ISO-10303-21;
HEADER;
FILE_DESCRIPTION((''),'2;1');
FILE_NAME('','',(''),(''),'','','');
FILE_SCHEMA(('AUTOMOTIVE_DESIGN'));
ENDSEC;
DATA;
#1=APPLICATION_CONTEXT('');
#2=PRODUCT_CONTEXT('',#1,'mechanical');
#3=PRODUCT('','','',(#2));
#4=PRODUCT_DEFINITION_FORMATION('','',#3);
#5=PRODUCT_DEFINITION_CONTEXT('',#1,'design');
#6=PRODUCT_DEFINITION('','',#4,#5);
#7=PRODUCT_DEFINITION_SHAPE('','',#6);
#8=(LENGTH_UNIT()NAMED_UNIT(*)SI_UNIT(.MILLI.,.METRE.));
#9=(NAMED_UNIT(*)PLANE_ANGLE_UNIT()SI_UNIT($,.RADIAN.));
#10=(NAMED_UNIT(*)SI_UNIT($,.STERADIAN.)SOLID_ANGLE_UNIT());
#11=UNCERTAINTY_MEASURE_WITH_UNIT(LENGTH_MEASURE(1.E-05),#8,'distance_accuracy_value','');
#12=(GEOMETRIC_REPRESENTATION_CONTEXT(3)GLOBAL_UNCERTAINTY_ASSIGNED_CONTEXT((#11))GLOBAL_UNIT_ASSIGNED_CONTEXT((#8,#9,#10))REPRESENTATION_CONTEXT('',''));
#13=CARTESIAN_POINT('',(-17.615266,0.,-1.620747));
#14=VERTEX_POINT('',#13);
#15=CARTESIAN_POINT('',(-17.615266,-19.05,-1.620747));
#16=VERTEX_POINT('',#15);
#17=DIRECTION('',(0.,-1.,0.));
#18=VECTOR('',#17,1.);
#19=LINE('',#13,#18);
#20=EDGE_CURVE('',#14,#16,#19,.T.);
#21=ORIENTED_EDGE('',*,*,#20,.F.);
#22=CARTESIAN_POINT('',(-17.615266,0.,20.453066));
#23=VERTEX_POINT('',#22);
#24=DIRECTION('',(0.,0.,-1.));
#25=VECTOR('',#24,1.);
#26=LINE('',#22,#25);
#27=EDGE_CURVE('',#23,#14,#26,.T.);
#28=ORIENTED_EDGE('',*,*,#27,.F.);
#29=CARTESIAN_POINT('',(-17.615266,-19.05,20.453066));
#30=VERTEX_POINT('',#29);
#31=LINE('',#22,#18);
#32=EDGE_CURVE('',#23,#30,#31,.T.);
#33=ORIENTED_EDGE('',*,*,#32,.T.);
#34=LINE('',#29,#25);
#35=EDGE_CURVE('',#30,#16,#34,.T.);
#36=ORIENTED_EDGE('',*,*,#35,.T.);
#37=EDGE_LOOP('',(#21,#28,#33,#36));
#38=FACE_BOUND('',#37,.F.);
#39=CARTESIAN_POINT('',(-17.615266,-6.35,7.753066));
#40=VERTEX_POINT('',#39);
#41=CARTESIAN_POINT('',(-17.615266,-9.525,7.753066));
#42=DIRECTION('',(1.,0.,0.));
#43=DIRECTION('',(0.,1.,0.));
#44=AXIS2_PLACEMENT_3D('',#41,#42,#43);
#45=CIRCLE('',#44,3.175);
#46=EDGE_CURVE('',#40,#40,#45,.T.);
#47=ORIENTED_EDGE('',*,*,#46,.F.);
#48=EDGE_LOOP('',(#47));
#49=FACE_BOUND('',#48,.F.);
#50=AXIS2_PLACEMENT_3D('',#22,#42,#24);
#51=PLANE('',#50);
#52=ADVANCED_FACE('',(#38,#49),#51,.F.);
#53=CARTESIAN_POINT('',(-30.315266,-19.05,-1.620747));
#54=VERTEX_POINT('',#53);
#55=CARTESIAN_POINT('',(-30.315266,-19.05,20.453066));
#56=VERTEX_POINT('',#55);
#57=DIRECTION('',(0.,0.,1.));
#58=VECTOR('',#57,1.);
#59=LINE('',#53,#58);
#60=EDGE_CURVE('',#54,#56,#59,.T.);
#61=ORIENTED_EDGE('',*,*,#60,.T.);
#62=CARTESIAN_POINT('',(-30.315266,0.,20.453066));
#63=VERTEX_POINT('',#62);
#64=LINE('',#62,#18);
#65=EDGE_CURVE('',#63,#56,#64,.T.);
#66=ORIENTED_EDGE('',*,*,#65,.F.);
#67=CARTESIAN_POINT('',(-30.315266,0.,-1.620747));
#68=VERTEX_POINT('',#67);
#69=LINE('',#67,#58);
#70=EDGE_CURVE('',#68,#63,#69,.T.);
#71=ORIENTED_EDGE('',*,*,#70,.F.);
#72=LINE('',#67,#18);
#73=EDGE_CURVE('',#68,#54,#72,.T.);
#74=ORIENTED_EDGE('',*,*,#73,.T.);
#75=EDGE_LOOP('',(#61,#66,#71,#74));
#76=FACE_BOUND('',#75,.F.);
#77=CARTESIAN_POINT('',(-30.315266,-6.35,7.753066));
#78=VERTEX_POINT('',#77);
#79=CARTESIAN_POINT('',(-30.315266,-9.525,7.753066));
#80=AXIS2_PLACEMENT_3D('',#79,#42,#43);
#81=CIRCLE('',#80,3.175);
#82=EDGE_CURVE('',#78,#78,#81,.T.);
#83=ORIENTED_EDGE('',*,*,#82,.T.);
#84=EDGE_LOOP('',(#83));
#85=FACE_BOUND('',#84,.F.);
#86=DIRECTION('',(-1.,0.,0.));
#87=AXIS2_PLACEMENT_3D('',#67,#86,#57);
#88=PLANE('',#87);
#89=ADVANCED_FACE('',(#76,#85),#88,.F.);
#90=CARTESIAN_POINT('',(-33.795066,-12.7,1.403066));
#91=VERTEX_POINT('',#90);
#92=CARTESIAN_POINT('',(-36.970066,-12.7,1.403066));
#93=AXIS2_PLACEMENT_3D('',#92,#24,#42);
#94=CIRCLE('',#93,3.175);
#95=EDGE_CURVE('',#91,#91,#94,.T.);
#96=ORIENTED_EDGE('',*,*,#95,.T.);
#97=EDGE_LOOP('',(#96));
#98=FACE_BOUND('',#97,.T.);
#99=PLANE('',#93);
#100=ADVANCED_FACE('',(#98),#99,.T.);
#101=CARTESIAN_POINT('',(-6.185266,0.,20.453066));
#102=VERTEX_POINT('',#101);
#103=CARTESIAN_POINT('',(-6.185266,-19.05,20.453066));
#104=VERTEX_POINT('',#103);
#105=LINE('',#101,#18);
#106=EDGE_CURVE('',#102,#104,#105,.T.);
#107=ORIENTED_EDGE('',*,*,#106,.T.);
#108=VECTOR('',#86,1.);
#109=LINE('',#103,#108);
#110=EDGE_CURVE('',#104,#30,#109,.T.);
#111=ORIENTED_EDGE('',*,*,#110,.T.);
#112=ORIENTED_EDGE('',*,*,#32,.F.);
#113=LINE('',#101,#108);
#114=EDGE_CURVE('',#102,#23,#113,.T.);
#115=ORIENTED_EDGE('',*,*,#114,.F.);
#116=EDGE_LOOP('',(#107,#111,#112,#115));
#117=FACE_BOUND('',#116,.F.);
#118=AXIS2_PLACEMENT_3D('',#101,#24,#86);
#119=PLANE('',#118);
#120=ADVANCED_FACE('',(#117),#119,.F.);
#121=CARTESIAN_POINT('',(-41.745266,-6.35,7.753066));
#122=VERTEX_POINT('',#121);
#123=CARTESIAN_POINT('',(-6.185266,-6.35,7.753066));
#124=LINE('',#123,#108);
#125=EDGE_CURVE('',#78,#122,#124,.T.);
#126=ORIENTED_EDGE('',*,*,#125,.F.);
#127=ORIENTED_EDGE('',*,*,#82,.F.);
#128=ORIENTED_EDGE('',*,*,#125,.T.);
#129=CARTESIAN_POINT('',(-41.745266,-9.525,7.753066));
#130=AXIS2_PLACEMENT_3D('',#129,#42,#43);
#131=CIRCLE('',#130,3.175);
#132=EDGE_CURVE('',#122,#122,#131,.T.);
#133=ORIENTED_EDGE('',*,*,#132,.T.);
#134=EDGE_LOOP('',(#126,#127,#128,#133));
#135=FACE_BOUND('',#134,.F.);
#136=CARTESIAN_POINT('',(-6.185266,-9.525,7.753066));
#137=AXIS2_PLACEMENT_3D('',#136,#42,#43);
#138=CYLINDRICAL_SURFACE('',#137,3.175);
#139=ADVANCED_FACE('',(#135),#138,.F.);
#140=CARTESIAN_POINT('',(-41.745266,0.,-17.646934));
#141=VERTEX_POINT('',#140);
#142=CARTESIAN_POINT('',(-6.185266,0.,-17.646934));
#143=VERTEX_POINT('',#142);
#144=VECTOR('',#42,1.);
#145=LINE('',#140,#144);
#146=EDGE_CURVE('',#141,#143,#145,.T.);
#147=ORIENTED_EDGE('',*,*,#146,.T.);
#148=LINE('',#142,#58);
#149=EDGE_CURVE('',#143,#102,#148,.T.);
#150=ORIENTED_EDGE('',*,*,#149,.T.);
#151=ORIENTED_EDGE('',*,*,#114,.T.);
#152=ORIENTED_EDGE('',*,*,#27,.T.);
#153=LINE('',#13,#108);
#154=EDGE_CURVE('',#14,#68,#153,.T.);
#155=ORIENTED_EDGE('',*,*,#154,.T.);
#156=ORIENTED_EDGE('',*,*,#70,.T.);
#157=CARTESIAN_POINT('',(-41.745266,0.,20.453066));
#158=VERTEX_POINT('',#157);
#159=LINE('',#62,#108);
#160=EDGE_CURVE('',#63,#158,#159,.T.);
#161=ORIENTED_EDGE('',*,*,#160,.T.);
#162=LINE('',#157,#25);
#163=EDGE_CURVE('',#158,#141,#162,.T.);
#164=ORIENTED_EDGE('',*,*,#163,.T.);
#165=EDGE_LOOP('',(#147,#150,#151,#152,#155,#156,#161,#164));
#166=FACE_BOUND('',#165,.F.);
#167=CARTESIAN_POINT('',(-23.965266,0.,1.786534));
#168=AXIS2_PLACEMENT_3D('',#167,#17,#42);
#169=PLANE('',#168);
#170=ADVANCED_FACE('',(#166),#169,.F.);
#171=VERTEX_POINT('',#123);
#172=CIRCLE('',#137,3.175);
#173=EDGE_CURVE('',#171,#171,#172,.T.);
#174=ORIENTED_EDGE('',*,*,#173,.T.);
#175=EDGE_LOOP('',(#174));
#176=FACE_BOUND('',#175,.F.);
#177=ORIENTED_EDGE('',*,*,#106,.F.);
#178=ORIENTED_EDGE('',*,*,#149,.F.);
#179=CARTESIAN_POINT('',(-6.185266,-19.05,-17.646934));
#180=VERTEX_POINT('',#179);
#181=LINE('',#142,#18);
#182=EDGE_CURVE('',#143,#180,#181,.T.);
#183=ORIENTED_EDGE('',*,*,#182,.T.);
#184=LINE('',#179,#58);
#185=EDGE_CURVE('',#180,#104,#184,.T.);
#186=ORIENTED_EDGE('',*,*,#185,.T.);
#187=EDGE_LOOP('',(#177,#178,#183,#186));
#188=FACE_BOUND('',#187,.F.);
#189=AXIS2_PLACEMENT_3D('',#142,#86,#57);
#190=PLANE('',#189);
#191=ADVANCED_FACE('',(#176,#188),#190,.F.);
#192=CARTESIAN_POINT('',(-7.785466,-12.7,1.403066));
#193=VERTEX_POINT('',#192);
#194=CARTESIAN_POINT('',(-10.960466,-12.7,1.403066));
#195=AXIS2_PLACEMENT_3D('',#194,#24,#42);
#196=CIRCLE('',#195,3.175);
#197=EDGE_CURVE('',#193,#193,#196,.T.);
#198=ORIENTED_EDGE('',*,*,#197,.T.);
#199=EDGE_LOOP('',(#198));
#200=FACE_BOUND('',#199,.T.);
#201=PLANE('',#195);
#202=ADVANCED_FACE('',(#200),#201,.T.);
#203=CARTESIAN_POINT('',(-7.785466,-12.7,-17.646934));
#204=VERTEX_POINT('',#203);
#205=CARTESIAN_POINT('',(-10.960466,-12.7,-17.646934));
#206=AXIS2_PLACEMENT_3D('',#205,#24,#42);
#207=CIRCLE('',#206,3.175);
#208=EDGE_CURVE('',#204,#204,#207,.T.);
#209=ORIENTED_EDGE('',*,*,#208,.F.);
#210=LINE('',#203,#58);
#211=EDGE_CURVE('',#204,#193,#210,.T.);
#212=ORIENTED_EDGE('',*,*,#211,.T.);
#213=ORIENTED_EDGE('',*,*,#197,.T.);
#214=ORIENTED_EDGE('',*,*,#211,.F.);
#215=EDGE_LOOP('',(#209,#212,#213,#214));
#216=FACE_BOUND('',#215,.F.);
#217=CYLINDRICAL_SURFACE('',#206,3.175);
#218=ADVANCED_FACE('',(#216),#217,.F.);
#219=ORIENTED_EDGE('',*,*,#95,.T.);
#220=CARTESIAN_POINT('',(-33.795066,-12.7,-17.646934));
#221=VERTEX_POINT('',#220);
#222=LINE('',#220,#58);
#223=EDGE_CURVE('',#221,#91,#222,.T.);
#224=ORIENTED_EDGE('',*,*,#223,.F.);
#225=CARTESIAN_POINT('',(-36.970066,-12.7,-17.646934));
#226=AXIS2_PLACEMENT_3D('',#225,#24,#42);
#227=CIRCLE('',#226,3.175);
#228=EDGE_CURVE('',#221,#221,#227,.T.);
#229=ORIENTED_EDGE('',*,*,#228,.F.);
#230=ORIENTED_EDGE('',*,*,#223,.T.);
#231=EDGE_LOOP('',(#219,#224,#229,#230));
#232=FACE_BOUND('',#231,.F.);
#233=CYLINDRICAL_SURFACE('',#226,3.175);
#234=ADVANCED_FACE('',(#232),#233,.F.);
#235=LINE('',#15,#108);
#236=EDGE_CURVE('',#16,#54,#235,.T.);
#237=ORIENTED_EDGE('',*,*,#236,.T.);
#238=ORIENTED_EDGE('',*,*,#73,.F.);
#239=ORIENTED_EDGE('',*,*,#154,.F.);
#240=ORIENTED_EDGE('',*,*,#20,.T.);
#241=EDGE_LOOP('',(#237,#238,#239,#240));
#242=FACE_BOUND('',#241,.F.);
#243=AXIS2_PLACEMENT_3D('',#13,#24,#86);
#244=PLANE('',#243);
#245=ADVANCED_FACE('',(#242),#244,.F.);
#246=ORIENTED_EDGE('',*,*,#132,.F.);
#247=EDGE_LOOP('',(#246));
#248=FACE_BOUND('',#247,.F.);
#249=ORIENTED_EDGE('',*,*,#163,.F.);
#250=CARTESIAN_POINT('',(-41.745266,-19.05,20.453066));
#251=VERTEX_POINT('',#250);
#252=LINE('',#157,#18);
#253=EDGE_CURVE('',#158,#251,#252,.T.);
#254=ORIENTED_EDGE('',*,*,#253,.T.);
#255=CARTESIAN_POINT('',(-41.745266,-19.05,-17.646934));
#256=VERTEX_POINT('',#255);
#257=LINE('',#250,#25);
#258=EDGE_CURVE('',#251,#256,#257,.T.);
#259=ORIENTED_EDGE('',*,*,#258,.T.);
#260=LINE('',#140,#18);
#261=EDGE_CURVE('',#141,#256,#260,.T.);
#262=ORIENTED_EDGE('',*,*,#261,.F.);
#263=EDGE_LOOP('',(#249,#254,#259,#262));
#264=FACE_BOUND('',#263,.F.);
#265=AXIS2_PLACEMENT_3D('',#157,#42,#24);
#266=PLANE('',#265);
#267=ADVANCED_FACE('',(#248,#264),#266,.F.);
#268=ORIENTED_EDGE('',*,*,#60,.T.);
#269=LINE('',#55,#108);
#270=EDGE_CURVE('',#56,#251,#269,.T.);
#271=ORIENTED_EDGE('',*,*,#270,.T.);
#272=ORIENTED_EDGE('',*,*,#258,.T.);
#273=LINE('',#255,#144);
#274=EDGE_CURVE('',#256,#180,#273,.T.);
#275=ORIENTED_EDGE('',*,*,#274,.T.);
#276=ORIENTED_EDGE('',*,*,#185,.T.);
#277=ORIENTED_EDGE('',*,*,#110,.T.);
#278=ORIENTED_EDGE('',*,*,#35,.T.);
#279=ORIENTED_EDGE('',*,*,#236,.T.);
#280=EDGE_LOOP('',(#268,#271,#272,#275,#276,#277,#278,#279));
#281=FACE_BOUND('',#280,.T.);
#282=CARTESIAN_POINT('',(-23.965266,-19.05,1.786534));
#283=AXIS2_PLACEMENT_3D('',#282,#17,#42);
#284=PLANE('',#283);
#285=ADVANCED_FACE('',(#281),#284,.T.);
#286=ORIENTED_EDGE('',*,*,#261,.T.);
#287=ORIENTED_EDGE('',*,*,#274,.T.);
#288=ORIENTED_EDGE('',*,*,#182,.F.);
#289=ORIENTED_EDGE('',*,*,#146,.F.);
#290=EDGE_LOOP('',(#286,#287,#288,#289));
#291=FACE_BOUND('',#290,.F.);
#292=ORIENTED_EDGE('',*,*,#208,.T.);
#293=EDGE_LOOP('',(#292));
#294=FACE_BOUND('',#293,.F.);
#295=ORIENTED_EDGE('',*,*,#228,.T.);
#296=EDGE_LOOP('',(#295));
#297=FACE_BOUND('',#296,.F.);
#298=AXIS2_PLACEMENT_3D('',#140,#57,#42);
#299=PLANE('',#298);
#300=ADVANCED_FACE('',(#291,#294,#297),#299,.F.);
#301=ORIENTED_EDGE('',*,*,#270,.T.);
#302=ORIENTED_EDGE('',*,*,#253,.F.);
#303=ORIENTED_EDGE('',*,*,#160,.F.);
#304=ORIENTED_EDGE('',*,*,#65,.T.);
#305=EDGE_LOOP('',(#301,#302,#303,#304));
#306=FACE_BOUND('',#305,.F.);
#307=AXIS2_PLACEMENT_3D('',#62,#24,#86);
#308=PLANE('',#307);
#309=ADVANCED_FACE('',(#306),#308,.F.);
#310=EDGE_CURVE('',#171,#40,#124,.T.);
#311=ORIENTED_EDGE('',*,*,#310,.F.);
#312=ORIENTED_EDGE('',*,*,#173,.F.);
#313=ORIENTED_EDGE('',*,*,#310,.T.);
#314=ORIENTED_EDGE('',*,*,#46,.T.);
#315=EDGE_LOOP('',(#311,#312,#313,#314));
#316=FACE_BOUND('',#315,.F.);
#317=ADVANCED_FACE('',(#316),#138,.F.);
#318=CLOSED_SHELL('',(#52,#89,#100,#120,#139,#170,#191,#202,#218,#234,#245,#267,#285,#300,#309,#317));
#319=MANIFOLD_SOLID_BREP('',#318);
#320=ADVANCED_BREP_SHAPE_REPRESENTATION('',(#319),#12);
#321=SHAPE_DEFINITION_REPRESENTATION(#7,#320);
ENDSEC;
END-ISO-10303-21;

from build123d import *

# Parameters (mm, degrees)
F1_DEPTH = 19.05
F2_R     = 3.175
F3_DEPTH = 35.561
F4_R     = 3.175
F5_DEPTH = 19.05


with BuildPart() as f1:
    # F0 (on Front) → F1 (new body)
    with BuildSketch(Plane.XZ):
        Polygon((-30.315266, 20.453066), (-41.745266, 20.453066), (-41.745266, -17.646934), (-6.185266, -17.646934), (-6.185266, 20.453066), (-17.615266, 20.453066), (-17.615266, -1.620747), (-30.315266, -1.620747), align=None)
    extrude(amount=F1_DEPTH)

    # F2 (on face) → F3 (cut, through all)
    with BuildSketch(Plane.YZ.offset(-6.185266)):
        with Locations((-9.525, 7.753066)):
            Circle(F2_R)
    extrude(amount=-F3_DEPTH, mode=Mode.SUBTRACT)

    # F4 (on face) → F5 (cut)
    with BuildSketch(Plane(origin=(0, 0, -17.646934), x_dir=(1, 0, 0), z_dir=(0, 0, -1))):
        with Locations((-36.970066, 12.7)):
            Circle(F4_R)
        with Locations((-10.960466, 12.7)):
            Circle(F4_R)
    extrude(amount=-F5_DEPTH, mode=Mode.SUBTRACT)


solid = f1.part
